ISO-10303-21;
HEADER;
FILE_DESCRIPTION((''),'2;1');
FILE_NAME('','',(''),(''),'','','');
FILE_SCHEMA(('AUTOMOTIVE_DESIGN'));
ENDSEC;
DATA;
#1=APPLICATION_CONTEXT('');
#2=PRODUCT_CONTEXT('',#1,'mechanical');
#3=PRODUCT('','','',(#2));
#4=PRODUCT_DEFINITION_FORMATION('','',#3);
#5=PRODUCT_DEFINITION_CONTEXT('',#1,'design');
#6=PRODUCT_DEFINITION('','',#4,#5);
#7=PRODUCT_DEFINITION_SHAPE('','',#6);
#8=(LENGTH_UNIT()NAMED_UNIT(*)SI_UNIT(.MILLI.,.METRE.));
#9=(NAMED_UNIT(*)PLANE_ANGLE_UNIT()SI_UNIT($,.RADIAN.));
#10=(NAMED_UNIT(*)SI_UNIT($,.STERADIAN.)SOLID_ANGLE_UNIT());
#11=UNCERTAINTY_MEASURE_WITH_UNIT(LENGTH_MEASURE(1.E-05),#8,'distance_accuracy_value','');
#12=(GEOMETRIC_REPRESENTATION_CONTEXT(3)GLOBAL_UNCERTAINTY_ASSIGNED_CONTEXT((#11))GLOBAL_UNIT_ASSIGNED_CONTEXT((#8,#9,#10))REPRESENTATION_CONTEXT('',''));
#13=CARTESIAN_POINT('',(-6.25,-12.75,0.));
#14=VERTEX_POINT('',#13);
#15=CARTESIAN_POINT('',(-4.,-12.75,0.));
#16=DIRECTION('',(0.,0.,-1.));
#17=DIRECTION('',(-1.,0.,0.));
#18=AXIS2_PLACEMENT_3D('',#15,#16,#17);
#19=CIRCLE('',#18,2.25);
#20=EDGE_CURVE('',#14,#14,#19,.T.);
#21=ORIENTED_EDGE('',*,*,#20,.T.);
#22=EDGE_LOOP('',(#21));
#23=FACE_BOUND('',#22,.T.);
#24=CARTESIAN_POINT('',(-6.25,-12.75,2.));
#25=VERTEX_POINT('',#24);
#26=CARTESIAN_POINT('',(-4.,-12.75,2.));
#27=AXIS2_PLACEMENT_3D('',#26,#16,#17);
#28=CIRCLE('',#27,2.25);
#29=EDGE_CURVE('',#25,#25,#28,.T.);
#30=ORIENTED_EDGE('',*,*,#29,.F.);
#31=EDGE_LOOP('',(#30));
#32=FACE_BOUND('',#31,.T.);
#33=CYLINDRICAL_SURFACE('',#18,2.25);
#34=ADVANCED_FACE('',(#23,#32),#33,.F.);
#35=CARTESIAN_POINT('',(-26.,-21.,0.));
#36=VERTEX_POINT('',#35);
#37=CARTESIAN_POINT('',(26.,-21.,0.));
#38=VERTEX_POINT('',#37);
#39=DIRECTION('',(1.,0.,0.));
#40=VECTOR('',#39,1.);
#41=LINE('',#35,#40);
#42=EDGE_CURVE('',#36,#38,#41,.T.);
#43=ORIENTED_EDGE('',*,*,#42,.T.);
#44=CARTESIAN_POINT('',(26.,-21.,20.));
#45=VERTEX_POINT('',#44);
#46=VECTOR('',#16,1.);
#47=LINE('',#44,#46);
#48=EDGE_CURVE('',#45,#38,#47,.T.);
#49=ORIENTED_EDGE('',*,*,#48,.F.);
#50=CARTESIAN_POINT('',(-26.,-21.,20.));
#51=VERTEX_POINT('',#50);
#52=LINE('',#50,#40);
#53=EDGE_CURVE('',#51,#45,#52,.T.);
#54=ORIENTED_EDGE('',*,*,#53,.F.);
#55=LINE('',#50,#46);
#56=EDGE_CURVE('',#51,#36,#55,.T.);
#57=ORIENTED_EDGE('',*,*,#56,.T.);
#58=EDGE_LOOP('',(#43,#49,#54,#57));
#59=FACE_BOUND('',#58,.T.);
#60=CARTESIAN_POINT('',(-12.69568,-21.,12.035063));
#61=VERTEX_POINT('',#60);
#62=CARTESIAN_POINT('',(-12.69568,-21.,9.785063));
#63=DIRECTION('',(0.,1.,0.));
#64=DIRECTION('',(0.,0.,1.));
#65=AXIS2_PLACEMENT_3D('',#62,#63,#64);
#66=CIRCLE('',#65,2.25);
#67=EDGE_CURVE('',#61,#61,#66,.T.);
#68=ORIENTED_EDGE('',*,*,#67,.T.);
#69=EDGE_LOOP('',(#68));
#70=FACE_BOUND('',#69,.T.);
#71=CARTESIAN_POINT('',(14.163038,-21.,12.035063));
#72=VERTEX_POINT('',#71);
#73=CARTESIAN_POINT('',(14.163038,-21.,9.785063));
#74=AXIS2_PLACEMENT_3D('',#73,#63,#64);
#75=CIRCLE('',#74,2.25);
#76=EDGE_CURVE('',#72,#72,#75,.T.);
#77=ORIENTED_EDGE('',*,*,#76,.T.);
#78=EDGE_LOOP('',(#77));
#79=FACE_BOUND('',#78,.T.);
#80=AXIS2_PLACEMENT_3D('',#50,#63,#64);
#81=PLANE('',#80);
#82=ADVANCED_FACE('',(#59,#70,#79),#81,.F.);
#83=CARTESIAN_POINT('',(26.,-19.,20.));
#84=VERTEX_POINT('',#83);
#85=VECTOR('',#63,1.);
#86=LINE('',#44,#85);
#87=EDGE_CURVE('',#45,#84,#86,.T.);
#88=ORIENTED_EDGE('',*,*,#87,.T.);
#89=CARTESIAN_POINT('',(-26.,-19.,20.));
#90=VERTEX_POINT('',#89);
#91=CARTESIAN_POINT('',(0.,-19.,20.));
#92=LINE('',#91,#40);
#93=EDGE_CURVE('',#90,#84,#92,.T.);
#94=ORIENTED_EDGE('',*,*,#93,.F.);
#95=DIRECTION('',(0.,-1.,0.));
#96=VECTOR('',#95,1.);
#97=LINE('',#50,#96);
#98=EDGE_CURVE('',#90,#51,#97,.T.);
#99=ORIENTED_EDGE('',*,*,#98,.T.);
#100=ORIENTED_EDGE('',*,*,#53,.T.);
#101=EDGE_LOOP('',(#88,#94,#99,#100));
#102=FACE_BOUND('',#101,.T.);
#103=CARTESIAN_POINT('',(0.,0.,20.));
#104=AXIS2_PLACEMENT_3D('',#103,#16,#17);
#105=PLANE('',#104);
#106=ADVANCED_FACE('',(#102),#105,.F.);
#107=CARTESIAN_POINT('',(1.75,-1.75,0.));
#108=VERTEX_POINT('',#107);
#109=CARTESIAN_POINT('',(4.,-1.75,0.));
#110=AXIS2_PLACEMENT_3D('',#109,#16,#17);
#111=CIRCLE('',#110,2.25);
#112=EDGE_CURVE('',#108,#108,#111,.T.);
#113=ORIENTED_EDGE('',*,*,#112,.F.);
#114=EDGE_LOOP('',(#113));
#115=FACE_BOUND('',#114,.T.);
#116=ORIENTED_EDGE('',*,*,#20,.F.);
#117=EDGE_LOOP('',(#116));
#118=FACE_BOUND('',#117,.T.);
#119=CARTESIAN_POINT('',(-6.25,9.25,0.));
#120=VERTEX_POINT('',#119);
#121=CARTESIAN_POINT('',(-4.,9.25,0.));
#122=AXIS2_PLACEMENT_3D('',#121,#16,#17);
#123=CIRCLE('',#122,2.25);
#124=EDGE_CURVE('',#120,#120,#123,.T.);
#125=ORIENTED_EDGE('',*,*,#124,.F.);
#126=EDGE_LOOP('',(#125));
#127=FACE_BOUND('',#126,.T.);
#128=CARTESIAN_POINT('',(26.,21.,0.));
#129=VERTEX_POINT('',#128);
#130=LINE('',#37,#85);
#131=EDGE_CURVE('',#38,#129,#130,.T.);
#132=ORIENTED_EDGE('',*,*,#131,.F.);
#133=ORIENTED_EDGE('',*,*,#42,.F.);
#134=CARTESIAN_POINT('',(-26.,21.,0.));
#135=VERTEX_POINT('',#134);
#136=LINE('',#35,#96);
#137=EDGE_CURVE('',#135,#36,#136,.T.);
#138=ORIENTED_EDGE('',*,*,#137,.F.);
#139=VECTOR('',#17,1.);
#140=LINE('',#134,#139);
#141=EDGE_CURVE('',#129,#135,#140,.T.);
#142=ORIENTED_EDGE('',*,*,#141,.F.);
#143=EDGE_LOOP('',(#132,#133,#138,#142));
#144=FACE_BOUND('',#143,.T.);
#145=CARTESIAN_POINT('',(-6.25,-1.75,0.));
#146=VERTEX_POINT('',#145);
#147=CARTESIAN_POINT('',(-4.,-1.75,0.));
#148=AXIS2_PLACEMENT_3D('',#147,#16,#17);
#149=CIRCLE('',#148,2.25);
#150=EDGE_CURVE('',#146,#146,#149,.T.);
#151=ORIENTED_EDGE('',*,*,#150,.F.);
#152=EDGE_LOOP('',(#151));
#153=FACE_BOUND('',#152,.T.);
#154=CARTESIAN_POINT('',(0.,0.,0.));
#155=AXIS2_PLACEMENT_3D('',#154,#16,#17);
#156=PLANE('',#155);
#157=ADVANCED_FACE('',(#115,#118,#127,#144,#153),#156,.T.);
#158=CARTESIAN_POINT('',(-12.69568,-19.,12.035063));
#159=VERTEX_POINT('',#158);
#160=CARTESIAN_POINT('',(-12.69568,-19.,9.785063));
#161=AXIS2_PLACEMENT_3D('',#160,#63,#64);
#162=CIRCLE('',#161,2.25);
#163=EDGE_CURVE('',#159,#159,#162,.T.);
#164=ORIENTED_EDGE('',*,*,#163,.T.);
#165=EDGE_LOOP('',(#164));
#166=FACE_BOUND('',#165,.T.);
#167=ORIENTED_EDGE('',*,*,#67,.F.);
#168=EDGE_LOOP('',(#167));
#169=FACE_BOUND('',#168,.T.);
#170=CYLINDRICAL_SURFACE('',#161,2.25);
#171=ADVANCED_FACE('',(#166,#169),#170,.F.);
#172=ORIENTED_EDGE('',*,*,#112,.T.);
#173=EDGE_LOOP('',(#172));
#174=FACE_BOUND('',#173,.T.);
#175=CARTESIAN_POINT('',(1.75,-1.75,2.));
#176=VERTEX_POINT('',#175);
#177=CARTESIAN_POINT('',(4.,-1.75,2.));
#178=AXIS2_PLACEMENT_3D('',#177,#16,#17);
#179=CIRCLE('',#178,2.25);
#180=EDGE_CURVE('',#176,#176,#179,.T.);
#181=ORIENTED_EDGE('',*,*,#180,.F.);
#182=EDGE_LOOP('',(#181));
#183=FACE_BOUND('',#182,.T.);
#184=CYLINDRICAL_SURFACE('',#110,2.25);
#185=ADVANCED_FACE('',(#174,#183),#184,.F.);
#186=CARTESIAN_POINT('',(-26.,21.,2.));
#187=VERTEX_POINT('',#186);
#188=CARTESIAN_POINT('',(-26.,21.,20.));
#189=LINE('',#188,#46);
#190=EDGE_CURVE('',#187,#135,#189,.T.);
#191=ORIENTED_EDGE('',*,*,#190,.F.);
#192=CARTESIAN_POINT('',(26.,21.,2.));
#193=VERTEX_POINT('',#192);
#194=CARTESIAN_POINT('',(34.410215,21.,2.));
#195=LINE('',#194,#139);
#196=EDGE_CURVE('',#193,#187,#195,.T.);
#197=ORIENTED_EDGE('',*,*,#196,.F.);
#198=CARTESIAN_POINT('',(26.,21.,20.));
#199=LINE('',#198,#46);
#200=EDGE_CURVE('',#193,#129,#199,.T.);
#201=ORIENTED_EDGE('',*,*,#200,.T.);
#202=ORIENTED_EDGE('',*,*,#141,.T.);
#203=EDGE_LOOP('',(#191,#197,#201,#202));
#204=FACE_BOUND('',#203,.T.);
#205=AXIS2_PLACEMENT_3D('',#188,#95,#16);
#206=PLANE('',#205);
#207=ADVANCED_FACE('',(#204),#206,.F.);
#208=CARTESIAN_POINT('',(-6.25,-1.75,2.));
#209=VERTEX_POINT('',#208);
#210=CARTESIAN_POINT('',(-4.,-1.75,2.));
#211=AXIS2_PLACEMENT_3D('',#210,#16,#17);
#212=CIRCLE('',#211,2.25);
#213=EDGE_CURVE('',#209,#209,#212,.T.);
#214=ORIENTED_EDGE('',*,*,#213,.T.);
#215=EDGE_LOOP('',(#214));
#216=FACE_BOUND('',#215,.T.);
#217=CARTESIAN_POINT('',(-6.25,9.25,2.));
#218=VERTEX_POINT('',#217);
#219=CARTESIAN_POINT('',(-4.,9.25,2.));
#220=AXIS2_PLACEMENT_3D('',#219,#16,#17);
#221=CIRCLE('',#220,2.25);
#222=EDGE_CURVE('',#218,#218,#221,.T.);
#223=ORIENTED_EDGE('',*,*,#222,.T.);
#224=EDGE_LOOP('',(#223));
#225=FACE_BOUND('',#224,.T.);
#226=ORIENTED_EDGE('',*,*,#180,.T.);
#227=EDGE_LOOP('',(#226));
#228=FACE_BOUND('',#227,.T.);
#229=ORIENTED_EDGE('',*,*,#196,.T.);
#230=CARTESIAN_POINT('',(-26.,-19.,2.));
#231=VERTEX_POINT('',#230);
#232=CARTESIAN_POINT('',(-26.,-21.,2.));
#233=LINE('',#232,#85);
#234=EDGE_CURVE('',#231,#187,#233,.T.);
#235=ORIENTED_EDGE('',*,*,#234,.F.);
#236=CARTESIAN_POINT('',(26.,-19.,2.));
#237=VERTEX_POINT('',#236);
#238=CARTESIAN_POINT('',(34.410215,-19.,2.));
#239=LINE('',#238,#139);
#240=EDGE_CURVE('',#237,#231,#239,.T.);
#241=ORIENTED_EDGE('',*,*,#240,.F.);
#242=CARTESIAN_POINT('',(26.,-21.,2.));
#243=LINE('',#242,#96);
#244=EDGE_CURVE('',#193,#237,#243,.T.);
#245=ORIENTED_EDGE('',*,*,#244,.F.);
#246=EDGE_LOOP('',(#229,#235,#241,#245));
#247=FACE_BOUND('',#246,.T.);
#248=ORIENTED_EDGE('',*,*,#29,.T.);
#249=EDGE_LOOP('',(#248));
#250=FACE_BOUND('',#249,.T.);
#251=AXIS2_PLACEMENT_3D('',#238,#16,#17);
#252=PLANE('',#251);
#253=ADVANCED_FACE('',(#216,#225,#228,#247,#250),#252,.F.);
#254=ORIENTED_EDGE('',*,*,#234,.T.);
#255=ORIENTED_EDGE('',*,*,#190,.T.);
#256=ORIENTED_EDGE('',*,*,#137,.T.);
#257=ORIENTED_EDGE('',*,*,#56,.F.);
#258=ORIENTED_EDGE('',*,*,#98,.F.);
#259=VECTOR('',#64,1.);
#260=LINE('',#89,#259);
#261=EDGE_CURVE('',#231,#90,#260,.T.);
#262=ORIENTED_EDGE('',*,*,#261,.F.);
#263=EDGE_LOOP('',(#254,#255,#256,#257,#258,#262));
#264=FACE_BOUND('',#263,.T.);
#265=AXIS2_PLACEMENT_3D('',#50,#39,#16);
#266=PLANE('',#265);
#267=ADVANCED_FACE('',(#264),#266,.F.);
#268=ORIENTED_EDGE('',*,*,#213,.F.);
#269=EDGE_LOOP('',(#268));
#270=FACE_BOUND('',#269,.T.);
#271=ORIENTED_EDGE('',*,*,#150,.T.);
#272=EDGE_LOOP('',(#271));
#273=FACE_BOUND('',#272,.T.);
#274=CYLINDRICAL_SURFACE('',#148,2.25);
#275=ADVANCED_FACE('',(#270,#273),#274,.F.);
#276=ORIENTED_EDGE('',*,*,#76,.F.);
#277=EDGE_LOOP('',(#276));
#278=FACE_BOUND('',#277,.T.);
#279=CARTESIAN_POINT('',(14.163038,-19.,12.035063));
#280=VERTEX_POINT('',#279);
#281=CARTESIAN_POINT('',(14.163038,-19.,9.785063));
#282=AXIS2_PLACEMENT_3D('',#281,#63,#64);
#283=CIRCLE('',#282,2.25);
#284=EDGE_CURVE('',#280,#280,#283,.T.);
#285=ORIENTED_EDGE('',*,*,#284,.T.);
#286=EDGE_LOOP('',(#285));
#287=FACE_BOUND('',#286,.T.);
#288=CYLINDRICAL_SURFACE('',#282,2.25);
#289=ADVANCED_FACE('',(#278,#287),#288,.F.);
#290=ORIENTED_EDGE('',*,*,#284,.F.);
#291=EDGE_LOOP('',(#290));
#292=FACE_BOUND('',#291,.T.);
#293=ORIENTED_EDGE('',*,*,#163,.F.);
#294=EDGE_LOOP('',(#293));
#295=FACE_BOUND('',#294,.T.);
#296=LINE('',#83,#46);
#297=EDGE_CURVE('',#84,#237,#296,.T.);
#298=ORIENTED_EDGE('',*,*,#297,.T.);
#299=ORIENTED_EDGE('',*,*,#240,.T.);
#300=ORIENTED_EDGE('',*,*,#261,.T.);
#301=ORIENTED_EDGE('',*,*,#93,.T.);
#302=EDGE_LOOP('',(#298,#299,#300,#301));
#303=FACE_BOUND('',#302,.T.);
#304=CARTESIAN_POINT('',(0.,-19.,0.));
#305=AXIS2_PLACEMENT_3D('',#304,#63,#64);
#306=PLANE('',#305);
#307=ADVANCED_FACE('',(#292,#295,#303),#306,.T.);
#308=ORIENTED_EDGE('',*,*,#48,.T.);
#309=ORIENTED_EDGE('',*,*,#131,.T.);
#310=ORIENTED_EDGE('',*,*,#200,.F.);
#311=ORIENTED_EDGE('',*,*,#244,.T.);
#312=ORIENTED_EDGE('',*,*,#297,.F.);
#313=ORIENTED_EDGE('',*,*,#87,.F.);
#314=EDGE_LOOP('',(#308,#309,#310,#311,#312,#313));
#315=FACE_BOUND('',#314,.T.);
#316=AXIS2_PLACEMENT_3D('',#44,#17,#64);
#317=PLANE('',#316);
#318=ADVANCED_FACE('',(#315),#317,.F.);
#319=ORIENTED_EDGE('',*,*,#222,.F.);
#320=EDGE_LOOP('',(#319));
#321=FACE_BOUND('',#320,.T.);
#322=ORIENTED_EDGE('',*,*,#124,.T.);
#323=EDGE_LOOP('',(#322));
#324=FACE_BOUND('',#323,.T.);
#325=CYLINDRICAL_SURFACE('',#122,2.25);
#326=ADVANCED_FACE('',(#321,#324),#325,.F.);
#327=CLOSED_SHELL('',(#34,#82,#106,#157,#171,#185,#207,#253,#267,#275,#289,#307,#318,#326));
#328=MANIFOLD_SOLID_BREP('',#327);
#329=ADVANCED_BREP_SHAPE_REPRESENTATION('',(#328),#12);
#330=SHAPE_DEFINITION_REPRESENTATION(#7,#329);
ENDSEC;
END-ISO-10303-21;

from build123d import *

# Parameters (mm, degrees)
ESQUISSE1_W             = 52
ESQUISSE1_H             = 42
BOSS_EXTRU_1_DEPTH      = 20
ESQUISSE2_W             = 66.008627658
ESQUISSE2_H             = 40.946179855
ENL_V_MAT_EXTRU_1_DEPTH = 40
D_GAGEMENT_M41_D        = 4.5
D_GAGEMENT_M42_D        = 4.5


with BuildPart() as part:
    # Esquisse1 → Boss.-Extru.1 (new body)
    with BuildSketch(Plane.XY):
        Rectangle(ESQUISSE1_W, ESQUISSE1_H)
    extrude(amount=BOSS_EXTRU_1_DEPTH)

    # Esquisse2 → Enlèv. mat.-Extru.1 (cut)
    with BuildSketch(Plane(origin=(0, 21, 0), x_dir=(1, 0, 0), z_dir=(0, 1, 0))):
        with Locations((1.405901571, -22.473089928)):
            Rectangle(ESQUISSE2_W, ESQUISSE2_H)
    extrude(amount=-ENL_V_MAT_EXTRU_1_DEPTH, mode=Mode.SUBTRACT)

    # Dégagement M41 (through all)
    with Locations(Plane(origin=(0, 0, 0), x_dir=(-1, 0, 0), z_dir=(0, 0, -1))):
        with Locations((4, -12.75), (4, -1.75), (4, 9.25), (-4, -1.75)):
            Hole(D_GAGEMENT_M41_D / 2)

    # Dégagement M42 (through all)
    with Locations(Plane(origin=(0, -19, 0), x_dir=(1, 0, 0), z_dir=(0, 1, 0))):
        with Locations((-12.695679618, -9.785063319), (14.163037838, -9.785063319)):
            Hole(D_GAGEMENT_M42_D / 2)


solid = part.part
